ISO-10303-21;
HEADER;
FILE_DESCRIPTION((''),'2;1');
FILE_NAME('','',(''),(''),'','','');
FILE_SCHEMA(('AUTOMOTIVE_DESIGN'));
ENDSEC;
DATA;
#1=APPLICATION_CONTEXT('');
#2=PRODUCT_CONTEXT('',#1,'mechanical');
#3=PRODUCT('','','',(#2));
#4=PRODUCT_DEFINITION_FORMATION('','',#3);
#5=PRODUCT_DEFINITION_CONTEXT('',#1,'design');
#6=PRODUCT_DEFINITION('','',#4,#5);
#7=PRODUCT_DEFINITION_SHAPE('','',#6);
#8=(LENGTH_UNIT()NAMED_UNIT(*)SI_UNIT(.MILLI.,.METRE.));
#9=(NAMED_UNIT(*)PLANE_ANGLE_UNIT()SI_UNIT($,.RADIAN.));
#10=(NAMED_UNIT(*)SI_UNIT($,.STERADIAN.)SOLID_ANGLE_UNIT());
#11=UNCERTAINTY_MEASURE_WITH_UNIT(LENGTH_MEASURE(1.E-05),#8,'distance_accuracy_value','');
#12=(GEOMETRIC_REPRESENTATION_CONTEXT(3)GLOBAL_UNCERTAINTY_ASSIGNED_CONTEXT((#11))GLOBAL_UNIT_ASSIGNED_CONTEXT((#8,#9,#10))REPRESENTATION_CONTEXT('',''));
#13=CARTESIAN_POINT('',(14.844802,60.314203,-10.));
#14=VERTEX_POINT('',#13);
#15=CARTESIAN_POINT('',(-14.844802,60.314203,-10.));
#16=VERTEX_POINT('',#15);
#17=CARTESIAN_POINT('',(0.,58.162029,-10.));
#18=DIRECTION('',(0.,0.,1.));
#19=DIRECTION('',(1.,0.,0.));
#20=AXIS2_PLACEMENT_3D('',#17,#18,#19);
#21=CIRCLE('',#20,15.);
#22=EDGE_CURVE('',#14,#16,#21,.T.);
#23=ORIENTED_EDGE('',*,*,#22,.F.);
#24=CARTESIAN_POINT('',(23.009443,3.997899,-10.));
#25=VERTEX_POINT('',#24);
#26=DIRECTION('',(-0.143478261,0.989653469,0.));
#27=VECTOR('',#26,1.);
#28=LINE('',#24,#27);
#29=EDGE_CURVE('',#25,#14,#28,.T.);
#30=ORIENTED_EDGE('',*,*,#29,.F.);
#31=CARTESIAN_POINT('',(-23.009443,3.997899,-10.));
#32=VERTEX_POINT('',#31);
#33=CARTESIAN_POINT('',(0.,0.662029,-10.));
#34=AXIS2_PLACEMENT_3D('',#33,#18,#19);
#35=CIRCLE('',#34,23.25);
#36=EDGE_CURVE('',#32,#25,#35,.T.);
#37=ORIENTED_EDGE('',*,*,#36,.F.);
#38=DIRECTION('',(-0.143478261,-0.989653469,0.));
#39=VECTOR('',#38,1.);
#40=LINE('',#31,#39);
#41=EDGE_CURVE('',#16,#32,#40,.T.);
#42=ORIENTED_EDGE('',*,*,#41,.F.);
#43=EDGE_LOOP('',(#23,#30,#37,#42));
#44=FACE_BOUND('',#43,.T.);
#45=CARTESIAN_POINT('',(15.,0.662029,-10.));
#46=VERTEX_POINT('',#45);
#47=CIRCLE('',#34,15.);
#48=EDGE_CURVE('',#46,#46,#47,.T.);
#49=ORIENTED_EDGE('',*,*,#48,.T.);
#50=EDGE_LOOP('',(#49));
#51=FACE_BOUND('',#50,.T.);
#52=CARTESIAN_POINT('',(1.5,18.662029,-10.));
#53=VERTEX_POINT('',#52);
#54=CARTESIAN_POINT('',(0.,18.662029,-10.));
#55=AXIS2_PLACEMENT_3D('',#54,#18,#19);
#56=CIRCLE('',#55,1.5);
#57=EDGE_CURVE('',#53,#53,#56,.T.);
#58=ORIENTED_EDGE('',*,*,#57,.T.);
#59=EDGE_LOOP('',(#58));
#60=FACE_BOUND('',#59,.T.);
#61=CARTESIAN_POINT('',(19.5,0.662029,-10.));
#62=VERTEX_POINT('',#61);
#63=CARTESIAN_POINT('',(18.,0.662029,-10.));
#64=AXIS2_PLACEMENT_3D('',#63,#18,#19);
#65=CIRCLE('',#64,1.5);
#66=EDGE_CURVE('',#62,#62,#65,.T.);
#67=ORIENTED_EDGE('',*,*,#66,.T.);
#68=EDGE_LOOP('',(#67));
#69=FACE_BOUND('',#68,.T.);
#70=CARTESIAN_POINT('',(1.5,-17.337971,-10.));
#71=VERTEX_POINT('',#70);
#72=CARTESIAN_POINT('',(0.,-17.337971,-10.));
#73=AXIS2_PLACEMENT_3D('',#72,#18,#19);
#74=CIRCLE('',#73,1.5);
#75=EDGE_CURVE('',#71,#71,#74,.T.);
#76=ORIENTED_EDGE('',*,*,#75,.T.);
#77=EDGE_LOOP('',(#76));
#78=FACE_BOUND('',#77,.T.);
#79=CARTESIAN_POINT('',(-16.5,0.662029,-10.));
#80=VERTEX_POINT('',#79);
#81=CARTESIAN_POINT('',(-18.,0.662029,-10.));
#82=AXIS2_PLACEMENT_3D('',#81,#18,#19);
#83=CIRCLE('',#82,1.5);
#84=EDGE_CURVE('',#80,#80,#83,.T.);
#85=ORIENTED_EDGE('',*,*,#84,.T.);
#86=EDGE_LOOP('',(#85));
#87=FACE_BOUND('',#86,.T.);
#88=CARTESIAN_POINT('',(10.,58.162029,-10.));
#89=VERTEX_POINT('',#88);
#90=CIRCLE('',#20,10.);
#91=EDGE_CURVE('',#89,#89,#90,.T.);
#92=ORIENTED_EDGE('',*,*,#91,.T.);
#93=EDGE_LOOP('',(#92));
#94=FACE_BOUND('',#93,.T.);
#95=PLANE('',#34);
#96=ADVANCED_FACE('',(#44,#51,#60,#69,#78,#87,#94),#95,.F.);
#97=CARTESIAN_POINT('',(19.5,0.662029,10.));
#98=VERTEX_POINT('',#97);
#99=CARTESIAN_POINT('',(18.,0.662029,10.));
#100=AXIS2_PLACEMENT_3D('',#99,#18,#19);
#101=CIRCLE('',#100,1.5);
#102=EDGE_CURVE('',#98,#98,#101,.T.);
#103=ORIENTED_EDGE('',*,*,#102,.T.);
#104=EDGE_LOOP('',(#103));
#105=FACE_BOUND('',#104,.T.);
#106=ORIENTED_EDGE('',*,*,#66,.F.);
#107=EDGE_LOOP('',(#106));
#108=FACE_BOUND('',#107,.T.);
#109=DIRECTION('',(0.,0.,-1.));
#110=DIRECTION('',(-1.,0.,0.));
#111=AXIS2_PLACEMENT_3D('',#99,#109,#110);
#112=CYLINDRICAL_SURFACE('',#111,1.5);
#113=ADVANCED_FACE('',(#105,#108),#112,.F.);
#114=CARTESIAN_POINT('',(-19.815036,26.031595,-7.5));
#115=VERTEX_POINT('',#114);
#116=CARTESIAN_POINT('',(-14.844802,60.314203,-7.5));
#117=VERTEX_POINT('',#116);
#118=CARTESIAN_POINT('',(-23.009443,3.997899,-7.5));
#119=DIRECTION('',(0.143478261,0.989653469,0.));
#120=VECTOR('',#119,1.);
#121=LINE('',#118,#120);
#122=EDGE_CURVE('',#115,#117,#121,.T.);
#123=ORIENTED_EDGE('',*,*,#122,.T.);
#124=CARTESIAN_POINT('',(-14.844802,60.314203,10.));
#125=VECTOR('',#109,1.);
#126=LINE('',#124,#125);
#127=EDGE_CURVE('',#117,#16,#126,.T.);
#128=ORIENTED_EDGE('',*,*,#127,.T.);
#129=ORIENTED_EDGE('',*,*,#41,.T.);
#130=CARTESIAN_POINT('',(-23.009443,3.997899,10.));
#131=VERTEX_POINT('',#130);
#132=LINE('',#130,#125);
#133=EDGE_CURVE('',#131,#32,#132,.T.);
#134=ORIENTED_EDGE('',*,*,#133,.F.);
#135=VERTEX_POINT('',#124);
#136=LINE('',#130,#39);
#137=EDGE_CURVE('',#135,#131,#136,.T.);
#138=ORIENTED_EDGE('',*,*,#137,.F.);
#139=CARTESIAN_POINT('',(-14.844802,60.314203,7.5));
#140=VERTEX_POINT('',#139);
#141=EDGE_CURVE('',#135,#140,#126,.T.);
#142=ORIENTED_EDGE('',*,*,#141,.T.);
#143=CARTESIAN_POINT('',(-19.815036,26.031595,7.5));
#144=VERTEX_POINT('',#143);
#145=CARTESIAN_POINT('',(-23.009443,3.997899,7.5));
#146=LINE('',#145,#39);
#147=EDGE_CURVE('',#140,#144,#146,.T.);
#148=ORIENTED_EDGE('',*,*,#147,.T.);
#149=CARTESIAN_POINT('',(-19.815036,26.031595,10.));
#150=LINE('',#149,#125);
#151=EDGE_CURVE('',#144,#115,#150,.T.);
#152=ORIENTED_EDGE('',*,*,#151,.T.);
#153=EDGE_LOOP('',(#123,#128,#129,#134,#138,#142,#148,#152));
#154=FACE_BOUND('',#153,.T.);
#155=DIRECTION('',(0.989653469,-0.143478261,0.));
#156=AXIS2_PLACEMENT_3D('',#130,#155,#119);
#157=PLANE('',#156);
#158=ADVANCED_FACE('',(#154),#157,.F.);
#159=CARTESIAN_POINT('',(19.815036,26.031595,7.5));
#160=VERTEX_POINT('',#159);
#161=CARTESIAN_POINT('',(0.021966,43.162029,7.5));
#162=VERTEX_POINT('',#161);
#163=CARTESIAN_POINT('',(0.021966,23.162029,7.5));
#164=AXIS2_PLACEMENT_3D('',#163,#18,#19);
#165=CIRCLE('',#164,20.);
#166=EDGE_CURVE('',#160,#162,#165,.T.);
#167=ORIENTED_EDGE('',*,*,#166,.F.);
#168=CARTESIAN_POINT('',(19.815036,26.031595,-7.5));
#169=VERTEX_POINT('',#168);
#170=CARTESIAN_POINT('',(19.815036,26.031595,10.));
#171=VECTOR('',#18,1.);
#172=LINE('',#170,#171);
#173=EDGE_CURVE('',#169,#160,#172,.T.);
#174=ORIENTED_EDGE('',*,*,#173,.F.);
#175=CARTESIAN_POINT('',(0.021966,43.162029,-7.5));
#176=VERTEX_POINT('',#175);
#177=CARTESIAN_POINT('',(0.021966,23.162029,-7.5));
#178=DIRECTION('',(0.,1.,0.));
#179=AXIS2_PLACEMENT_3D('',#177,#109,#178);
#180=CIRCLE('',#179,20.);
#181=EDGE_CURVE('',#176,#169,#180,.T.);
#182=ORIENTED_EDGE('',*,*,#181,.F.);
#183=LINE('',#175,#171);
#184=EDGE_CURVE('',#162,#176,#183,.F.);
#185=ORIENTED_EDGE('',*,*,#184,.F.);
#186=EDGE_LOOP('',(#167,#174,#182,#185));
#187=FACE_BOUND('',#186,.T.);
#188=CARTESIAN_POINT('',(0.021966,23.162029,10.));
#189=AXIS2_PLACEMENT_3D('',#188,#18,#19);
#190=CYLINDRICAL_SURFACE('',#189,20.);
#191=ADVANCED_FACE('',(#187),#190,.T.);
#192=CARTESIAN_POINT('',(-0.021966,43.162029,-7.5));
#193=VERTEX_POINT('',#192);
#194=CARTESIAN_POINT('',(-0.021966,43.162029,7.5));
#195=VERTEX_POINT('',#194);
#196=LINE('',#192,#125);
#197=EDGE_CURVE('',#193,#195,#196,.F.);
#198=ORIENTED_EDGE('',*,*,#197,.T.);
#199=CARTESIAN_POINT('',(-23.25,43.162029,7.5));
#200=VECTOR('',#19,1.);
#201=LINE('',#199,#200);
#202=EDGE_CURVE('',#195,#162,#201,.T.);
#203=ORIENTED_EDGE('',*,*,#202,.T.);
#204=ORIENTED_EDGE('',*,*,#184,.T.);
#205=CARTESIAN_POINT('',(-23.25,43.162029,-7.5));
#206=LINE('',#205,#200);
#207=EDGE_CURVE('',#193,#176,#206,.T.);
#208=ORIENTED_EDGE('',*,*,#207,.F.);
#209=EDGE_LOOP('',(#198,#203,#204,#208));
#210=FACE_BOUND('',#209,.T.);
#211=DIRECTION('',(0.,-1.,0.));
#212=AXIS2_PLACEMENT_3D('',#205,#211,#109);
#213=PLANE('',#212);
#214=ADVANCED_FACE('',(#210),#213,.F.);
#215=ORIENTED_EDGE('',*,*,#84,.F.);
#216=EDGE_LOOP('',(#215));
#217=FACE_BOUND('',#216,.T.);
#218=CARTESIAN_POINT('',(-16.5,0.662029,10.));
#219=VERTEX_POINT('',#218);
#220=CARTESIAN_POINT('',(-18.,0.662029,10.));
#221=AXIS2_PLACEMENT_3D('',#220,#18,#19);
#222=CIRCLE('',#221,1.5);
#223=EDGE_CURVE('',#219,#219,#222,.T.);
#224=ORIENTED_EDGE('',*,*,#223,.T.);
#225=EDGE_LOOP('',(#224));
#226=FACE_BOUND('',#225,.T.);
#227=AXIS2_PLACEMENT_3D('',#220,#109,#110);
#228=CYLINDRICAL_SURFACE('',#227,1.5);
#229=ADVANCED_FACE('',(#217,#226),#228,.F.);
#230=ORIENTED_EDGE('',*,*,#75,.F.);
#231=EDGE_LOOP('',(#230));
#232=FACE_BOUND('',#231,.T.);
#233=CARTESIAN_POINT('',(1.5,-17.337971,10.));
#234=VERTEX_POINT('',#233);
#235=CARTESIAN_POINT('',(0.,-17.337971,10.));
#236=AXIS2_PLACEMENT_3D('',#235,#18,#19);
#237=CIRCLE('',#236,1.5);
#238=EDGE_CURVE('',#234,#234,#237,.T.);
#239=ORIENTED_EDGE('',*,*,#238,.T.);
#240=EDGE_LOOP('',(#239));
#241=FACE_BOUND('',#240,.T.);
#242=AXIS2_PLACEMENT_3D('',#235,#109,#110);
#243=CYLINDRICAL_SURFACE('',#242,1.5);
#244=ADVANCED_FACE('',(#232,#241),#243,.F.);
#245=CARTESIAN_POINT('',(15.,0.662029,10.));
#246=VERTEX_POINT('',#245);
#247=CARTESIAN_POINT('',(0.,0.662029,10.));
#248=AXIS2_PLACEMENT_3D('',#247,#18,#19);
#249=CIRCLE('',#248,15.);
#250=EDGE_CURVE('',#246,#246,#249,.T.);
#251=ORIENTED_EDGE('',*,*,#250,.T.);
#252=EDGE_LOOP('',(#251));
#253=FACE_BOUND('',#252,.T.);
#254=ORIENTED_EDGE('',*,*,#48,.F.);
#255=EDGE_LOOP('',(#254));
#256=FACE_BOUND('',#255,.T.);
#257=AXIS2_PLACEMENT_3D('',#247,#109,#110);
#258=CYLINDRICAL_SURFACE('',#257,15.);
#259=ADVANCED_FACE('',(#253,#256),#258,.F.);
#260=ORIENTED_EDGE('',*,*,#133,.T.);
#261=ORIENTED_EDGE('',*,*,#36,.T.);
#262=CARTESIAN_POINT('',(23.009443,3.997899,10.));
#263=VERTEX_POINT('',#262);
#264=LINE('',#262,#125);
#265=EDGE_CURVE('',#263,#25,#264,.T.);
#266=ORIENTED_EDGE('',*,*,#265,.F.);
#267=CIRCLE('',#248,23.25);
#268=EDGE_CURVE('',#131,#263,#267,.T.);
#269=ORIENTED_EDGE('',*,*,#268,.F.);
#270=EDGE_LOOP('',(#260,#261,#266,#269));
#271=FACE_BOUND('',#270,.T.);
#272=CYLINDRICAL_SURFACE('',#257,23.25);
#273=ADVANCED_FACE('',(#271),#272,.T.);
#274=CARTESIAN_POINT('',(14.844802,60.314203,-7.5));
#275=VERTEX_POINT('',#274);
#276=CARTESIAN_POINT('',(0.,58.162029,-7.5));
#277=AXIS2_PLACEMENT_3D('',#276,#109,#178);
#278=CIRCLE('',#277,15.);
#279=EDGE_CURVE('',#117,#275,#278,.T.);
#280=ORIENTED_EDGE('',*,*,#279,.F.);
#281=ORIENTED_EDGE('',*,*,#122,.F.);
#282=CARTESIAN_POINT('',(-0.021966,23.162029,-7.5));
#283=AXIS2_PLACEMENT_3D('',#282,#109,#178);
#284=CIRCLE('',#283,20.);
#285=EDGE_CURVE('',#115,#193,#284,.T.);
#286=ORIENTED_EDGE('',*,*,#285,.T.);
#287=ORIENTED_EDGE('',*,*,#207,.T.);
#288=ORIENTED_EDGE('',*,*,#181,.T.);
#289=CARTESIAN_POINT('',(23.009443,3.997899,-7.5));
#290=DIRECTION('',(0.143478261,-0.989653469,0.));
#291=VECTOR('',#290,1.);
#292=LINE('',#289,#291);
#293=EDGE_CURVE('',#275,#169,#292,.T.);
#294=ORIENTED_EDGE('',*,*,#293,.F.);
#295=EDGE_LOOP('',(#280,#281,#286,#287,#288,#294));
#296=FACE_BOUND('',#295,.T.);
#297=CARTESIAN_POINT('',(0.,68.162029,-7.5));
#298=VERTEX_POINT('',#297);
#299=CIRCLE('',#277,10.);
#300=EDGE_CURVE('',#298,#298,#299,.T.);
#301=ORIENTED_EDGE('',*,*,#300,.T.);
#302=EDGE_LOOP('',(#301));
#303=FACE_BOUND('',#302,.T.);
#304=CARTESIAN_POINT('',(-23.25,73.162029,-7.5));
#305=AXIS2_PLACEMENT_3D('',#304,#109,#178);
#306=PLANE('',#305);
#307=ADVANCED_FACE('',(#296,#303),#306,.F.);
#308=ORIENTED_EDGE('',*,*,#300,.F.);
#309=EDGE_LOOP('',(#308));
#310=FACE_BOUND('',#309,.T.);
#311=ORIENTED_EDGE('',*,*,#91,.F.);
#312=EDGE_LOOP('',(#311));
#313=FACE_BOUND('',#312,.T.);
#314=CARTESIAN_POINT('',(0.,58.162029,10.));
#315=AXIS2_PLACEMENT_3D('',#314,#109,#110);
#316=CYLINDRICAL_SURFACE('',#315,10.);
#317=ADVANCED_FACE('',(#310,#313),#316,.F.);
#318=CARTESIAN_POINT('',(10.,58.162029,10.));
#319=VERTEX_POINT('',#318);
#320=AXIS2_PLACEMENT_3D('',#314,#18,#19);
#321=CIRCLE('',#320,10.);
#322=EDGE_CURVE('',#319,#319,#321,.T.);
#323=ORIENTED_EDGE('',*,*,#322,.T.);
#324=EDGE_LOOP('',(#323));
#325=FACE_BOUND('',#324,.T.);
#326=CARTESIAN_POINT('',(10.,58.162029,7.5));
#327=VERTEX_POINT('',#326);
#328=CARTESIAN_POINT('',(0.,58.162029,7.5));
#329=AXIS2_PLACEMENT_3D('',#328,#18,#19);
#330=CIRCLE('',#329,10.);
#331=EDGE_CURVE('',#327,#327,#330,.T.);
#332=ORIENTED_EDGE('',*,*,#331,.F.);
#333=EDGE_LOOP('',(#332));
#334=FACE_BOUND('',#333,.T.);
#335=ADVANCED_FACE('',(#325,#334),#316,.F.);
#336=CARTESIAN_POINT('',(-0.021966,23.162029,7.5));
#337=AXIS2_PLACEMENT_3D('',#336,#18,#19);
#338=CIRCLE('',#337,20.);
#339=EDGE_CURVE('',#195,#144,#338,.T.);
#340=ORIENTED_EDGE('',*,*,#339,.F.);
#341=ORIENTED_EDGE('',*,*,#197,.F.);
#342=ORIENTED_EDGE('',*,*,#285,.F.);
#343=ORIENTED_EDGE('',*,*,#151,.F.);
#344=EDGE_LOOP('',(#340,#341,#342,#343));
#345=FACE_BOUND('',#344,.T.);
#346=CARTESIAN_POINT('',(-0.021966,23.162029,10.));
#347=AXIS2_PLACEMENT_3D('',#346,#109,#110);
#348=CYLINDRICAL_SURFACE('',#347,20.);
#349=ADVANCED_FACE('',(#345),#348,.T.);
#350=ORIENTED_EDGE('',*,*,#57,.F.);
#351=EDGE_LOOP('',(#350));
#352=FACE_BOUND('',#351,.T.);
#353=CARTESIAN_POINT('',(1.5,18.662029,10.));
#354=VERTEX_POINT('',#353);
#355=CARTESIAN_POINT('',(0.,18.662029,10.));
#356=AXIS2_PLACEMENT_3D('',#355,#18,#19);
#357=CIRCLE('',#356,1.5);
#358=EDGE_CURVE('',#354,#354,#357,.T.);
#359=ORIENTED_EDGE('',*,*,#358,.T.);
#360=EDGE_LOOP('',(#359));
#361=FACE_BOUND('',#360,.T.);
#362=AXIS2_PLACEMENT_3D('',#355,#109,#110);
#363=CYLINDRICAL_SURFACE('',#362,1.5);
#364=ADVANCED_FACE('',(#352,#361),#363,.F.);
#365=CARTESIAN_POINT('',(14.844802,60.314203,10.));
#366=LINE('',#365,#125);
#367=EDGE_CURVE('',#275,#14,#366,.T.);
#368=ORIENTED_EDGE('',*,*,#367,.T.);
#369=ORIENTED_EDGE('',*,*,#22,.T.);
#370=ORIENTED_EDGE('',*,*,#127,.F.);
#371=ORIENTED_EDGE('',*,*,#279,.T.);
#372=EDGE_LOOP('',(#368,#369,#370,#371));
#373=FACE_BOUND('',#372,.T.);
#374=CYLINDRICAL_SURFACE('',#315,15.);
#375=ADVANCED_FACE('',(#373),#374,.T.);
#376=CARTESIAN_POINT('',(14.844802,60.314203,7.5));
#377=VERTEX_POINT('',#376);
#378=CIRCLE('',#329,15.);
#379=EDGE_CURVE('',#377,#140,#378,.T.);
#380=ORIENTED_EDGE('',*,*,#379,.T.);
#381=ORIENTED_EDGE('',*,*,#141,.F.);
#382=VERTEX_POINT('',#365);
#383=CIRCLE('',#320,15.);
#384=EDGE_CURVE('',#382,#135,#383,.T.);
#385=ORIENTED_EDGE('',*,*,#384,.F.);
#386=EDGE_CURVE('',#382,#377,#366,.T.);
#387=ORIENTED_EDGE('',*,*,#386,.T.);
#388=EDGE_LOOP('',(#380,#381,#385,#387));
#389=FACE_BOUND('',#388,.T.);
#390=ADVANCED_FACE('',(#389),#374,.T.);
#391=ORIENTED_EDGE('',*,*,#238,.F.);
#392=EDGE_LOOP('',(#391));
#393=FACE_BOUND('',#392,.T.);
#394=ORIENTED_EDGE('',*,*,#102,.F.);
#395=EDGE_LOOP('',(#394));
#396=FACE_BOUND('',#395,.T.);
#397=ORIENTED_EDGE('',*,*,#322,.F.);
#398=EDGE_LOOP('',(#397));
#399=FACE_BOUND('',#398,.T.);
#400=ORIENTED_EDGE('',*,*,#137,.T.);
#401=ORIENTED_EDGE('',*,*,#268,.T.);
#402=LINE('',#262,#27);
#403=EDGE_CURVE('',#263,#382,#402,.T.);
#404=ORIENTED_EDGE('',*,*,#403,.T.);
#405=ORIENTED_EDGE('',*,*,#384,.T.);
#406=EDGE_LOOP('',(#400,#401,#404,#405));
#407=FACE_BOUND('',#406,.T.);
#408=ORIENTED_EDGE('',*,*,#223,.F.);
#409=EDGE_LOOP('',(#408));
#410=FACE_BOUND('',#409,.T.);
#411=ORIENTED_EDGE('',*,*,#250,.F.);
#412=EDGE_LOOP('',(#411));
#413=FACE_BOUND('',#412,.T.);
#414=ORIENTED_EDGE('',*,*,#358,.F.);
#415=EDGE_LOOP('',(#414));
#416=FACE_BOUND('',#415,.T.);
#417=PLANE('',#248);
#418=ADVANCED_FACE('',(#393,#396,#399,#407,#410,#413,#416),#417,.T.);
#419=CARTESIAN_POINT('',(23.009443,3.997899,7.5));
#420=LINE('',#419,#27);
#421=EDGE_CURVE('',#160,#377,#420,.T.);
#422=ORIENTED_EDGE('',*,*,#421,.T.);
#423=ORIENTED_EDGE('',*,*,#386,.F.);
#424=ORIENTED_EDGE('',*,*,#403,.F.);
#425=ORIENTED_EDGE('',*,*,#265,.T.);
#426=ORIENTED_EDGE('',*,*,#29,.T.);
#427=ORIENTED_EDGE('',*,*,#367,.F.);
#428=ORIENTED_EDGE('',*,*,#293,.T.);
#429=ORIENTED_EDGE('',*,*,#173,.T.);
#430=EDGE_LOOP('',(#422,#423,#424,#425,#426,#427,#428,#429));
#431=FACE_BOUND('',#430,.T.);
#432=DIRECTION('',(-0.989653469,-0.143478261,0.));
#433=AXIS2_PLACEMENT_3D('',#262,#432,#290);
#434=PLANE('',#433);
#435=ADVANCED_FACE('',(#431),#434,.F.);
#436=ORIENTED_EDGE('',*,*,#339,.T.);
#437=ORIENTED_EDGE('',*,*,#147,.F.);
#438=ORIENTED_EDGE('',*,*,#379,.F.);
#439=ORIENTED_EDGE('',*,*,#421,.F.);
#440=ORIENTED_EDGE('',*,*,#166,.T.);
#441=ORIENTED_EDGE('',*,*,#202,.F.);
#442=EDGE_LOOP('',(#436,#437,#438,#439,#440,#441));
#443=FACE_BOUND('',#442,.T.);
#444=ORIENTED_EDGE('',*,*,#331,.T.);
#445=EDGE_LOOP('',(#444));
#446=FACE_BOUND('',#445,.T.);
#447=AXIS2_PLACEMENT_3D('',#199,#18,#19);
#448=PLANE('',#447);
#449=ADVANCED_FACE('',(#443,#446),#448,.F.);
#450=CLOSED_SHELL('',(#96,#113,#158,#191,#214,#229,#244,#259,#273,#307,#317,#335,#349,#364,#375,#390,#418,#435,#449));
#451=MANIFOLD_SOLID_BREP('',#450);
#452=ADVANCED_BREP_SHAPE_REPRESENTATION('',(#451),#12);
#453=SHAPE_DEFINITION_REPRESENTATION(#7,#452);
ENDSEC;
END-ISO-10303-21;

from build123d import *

# Parameters (mm, degrees)
CROQUIS1_R                 = 15
CROQUIS1_R_2               = 1.5
CROQUIS1_R_3               = 10
SALIENTE_EXTRUIR1_DEPTH    = 10
CORTAR_EXTRUIR2_DEPTH      = 24.25
CORTAR_EXTRUIR2_DEPTH_BACK = 24.25
REDONDEO3_R                = 20


with BuildPart() as part:
    # Croquis1 → Saliente-Extruir1 (new body, symmetric)
    with BuildSketch(Plane.XY):
        with BuildLine():
            Line((-23.009443154, 3.997898972), (-14.844802035, 60.31420332))
            ThreePointArc((-14.844802035, 60.31420332), (0, 73.162029407), (14.844802035, 60.31420332))
            Line((14.844802035, 60.31420332), (23.009443154, 3.997898972))
            ThreePointArc((23.009443154, 3.997898972), (0, -22.587970593), (-23.009443154, 3.997898972))
        make_face()
        with Locations((0, 0.662029407)):
            Circle(CROQUIS1_R, mode=Mode.SUBTRACT)
        with Locations((0, 18.662029407)):
            Circle(CROQUIS1_R_2, mode=Mode.SUBTRACT)
        with Locations((18, 0.662029407)):
            Circle(CROQUIS1_R_2, mode=Mode.SUBTRACT)
        with Locations((0, -17.337970593)):
            Circle(CROQUIS1_R_2, mode=Mode.SUBTRACT)
        with Locations((-18, 0.662029407)):
            Circle(CROQUIS1_R_2, mode=Mode.SUBTRACT)
        with Locations((0, 58.162029407)):
            Circle(CROQUIS1_R_3, mode=Mode.SUBTRACT)
    extrude(amount=SALIENTE_EXTRUIR1_DEPTH, both=True)

    # Croquis3 → Cortar-Extruir2 (cut, two sides)
    with BuildSketch(Plane(origin=(0, 0, 0), x_dir=(0, 0, -1), z_dir=(1, 0, 0))) as cortar_extruir2_sk:
        Polygon((0, 73.162029407), (7.5, 73.162029407), (7.5, 43.162029407), (-7.5, 43.162029407), (-7.5, 73.162029407), align=None)
    extrude(amount=CORTAR_EXTRUIR2_DEPTH, mode=Mode.SUBTRACT)
    extrude(cortar_extruir2_sk.sketch, amount=-CORTAR_EXTRUIR2_DEPTH_BACK, mode=Mode.SUBTRACT)

    # Redondeo3
    redondeo3_edges = [part.edges().sort_by_distance(p)[0] for p in [
        (-17.331494761, 43.162029407, 0),
        (17.331494761, 43.162029407, 0),
    ]]
    fillet(redondeo3_edges, radius=REDONDEO3_R)


solid = part.part
